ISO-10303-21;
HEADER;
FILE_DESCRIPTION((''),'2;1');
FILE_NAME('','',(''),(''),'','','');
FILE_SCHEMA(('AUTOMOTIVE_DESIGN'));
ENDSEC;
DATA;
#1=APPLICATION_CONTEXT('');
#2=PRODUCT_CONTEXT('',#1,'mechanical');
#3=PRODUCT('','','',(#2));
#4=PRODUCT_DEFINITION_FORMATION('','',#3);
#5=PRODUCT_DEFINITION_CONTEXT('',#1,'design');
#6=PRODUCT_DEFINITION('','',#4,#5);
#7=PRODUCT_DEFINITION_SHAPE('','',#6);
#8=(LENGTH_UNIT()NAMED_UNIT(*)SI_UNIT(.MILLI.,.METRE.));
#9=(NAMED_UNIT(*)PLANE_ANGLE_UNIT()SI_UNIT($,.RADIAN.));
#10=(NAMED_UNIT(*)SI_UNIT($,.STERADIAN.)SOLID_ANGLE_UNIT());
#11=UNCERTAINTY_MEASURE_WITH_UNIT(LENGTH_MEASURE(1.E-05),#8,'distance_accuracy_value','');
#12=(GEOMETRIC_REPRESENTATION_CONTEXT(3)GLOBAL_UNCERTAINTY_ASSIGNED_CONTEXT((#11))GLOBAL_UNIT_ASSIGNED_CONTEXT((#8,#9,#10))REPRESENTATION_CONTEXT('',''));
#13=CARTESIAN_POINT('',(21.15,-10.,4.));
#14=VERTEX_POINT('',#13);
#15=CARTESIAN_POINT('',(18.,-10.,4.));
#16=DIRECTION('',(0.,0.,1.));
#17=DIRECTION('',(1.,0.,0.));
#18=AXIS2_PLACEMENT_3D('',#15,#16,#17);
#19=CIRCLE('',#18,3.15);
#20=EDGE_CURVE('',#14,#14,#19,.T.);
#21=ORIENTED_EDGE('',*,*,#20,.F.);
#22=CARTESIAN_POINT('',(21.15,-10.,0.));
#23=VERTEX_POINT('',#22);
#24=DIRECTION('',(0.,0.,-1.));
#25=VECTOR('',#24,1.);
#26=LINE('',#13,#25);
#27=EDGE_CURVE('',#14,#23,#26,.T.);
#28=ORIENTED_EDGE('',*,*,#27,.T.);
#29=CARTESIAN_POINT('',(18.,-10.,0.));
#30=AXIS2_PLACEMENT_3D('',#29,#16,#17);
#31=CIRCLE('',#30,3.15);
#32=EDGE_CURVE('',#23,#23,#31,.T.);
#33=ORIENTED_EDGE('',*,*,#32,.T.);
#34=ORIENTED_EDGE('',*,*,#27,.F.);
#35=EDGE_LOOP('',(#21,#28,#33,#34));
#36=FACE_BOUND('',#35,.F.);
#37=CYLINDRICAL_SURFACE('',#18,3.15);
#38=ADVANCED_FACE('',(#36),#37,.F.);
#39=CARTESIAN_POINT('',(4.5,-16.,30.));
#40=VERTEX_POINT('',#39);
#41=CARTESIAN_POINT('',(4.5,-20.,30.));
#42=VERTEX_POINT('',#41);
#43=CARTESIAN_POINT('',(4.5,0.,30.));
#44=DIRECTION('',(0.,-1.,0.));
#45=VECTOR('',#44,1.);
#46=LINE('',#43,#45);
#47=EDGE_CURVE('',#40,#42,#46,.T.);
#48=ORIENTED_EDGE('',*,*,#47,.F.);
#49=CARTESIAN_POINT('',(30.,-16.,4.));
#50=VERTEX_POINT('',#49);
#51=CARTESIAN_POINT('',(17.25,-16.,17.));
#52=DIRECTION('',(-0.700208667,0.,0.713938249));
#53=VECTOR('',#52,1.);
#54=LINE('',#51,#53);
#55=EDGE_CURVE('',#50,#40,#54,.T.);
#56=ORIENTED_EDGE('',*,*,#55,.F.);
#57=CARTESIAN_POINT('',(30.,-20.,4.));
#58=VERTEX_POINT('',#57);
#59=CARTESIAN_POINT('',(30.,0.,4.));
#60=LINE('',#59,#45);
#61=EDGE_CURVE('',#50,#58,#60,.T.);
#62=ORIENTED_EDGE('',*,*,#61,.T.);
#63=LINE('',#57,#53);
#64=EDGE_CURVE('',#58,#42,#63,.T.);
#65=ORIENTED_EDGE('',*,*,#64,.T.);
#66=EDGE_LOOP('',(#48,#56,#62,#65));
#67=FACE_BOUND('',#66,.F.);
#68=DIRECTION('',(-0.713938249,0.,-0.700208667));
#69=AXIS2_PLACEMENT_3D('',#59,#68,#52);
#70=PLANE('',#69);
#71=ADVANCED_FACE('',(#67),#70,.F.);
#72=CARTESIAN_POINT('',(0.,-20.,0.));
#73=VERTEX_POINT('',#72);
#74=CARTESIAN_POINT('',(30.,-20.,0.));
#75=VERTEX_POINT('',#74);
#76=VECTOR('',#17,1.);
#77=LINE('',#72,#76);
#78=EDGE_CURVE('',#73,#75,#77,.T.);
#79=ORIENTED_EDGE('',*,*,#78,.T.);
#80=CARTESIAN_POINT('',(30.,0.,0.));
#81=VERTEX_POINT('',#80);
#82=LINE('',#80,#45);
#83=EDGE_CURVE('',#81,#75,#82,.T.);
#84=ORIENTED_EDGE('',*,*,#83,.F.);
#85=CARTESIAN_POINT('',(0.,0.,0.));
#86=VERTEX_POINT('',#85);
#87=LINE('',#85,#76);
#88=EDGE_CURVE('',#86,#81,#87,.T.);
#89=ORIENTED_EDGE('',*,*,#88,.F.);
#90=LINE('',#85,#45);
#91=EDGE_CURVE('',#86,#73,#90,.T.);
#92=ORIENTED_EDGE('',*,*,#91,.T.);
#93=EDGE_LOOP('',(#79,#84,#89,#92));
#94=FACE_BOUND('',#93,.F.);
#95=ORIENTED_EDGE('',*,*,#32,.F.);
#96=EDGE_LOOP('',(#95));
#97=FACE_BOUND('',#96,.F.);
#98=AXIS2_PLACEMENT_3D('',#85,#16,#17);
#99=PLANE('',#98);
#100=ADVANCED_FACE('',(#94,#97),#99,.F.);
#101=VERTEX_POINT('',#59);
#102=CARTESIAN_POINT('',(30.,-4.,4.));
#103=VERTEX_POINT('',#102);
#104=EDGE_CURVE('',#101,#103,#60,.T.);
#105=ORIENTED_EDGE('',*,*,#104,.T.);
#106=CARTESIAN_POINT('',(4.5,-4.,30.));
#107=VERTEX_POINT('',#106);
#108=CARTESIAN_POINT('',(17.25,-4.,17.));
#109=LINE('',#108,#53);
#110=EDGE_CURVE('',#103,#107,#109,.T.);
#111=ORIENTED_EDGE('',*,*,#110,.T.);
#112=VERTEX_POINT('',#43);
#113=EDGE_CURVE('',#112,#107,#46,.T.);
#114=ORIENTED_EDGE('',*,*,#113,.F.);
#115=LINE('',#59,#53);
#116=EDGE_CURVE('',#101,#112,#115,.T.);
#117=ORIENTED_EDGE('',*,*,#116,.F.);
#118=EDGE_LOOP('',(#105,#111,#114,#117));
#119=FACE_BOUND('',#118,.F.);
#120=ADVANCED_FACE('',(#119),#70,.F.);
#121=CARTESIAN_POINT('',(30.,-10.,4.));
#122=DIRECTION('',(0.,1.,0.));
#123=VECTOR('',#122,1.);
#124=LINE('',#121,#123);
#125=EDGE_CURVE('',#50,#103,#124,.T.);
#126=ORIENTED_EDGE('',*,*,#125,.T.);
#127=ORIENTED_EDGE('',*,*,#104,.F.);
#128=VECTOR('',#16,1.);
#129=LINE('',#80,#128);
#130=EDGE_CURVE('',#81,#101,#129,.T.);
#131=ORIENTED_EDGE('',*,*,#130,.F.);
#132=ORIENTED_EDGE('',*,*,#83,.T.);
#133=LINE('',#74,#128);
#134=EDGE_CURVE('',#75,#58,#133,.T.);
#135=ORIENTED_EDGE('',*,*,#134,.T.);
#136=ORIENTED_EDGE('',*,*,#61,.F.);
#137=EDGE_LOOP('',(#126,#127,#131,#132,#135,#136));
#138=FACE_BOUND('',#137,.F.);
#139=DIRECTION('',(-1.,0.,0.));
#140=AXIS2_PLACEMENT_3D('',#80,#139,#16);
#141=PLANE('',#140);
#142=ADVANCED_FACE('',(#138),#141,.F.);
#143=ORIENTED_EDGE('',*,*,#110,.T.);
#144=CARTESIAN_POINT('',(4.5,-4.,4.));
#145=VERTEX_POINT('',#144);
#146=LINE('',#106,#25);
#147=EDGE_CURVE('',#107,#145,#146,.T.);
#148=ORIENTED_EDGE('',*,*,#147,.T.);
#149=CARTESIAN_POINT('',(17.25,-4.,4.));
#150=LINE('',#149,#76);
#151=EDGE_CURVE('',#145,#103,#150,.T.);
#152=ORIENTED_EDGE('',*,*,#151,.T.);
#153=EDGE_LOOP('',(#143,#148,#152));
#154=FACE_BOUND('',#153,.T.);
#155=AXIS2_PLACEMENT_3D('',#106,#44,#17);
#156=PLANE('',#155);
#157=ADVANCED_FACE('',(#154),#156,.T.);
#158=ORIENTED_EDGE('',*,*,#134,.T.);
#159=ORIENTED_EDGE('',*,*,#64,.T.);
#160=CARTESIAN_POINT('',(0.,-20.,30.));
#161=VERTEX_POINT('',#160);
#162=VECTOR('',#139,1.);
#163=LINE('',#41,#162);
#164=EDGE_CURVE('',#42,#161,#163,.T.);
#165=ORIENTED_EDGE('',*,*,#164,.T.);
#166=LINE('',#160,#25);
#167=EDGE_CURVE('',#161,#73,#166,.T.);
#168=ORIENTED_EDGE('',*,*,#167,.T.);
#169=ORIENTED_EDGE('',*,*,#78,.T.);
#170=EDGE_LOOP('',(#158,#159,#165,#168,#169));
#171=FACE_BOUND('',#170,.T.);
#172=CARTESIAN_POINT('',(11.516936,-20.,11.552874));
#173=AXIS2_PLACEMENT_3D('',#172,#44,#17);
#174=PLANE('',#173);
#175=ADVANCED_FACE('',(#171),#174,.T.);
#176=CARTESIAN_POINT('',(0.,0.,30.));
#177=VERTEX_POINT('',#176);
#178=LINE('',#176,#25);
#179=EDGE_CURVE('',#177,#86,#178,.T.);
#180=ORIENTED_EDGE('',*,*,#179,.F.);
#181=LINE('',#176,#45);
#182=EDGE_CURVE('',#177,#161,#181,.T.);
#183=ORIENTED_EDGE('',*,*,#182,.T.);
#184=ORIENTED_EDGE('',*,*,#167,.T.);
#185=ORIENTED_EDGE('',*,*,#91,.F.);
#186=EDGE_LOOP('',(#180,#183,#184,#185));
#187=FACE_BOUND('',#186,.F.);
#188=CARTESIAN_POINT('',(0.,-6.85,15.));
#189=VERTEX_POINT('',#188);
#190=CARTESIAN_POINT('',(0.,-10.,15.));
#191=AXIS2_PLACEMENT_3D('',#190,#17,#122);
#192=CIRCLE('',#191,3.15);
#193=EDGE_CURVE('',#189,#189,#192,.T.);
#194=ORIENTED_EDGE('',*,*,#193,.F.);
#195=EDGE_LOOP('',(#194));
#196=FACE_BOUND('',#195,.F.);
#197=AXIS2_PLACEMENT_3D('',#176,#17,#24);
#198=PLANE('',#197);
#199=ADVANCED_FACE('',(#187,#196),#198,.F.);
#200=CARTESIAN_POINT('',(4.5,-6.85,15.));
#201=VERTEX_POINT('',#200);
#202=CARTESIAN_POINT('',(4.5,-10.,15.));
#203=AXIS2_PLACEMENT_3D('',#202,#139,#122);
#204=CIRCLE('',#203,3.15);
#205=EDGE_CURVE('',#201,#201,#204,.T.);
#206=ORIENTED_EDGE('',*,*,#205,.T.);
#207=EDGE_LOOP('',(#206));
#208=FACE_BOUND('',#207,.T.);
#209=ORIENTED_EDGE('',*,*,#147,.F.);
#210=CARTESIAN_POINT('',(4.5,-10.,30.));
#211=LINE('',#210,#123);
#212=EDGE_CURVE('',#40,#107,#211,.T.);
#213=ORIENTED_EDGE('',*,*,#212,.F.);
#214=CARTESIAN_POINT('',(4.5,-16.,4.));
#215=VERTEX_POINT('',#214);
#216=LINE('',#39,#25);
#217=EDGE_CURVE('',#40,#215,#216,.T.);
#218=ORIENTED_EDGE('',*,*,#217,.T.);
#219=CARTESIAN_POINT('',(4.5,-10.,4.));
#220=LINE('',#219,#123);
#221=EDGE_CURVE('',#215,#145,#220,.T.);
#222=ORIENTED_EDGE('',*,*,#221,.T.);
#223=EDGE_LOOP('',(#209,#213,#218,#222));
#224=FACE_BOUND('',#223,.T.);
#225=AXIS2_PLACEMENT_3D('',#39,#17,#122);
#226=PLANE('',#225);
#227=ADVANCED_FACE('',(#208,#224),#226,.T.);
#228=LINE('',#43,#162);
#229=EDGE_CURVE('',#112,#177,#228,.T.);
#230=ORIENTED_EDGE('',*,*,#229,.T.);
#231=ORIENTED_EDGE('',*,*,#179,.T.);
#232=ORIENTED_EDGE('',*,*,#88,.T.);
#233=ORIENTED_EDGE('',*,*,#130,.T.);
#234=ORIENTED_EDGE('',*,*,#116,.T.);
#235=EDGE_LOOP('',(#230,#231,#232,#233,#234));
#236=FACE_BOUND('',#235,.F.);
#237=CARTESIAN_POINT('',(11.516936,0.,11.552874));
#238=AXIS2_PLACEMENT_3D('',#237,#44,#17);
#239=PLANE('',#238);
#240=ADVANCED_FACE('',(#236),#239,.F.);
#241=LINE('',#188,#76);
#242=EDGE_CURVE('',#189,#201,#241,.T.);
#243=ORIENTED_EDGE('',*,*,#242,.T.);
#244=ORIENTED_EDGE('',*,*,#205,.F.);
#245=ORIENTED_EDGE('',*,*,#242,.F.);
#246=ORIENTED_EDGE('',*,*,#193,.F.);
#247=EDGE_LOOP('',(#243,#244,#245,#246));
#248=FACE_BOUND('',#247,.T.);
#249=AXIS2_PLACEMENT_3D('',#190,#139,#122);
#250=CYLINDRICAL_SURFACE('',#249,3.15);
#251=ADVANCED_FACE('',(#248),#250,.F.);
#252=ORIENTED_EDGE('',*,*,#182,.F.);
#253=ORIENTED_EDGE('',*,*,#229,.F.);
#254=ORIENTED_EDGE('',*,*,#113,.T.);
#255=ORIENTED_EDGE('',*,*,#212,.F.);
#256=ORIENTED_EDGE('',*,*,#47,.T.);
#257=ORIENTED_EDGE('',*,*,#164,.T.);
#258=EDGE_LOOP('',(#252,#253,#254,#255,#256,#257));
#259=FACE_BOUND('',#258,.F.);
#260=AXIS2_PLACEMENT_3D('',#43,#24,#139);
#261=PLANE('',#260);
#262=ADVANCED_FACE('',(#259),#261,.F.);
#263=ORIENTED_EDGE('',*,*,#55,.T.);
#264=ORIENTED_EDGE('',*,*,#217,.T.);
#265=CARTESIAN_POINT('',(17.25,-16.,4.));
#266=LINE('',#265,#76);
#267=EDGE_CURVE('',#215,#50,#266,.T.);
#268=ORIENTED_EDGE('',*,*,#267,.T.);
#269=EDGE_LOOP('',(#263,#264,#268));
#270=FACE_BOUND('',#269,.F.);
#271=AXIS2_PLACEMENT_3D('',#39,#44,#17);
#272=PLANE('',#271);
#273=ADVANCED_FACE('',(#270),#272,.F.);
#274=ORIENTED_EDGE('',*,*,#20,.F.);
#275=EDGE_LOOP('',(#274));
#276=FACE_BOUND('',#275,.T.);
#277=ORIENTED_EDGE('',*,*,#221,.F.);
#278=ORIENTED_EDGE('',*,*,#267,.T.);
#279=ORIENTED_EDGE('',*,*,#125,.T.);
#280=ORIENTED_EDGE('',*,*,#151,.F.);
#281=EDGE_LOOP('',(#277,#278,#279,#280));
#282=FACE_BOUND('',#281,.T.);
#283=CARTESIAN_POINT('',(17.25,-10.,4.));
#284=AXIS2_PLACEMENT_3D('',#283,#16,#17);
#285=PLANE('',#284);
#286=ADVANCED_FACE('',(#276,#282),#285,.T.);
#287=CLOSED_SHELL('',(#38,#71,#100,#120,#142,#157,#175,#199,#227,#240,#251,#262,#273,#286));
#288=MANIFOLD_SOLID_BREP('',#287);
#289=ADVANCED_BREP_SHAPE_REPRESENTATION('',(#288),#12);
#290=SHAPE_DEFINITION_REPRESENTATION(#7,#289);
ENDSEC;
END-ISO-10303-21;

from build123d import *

# Parameters (mm, degrees)
F1_DEPTH = 20
F2_W     = 25.5
F2_H     = 12
F3_DEPTH = 26
F4_R     = 3.15
F5_DEPTH = 25
F6_R     = 3.15
F7_DEPTH = 25


with BuildPart() as f1:
    # F0 (on Front) → F1 (new body)
    with BuildSketch(Plane.XZ):
        Polygon((0, 30), (0, 0), (30, 0), (30, 4), (4.5, 30), align=None)
    extrude(amount=F1_DEPTH)

    # F2 (on face) → F3 (cut)
    with BuildSketch(Plane.XY.offset(30)):
        with Locations((17.25, -10)):
            Rectangle(F2_W, F2_H)
    extrude(amount=-F3_DEPTH, mode=Mode.SUBTRACT)

    # F4 (on Right) → F5 (cut)
    with BuildSketch(Plane.YZ):
        with Locations((-10, 15)):
            Circle(F4_R)
    extrude(amount=F5_DEPTH, mode=Mode.SUBTRACT)

    # F6 (on face) → F7 (cut)
    with BuildSketch(Plane.XY.offset(4)):
        with Locations((18, -10)):
            Circle(F6_R)
    extrude(amount=-F7_DEPTH, mode=Mode.SUBTRACT)


solid = f1.part
